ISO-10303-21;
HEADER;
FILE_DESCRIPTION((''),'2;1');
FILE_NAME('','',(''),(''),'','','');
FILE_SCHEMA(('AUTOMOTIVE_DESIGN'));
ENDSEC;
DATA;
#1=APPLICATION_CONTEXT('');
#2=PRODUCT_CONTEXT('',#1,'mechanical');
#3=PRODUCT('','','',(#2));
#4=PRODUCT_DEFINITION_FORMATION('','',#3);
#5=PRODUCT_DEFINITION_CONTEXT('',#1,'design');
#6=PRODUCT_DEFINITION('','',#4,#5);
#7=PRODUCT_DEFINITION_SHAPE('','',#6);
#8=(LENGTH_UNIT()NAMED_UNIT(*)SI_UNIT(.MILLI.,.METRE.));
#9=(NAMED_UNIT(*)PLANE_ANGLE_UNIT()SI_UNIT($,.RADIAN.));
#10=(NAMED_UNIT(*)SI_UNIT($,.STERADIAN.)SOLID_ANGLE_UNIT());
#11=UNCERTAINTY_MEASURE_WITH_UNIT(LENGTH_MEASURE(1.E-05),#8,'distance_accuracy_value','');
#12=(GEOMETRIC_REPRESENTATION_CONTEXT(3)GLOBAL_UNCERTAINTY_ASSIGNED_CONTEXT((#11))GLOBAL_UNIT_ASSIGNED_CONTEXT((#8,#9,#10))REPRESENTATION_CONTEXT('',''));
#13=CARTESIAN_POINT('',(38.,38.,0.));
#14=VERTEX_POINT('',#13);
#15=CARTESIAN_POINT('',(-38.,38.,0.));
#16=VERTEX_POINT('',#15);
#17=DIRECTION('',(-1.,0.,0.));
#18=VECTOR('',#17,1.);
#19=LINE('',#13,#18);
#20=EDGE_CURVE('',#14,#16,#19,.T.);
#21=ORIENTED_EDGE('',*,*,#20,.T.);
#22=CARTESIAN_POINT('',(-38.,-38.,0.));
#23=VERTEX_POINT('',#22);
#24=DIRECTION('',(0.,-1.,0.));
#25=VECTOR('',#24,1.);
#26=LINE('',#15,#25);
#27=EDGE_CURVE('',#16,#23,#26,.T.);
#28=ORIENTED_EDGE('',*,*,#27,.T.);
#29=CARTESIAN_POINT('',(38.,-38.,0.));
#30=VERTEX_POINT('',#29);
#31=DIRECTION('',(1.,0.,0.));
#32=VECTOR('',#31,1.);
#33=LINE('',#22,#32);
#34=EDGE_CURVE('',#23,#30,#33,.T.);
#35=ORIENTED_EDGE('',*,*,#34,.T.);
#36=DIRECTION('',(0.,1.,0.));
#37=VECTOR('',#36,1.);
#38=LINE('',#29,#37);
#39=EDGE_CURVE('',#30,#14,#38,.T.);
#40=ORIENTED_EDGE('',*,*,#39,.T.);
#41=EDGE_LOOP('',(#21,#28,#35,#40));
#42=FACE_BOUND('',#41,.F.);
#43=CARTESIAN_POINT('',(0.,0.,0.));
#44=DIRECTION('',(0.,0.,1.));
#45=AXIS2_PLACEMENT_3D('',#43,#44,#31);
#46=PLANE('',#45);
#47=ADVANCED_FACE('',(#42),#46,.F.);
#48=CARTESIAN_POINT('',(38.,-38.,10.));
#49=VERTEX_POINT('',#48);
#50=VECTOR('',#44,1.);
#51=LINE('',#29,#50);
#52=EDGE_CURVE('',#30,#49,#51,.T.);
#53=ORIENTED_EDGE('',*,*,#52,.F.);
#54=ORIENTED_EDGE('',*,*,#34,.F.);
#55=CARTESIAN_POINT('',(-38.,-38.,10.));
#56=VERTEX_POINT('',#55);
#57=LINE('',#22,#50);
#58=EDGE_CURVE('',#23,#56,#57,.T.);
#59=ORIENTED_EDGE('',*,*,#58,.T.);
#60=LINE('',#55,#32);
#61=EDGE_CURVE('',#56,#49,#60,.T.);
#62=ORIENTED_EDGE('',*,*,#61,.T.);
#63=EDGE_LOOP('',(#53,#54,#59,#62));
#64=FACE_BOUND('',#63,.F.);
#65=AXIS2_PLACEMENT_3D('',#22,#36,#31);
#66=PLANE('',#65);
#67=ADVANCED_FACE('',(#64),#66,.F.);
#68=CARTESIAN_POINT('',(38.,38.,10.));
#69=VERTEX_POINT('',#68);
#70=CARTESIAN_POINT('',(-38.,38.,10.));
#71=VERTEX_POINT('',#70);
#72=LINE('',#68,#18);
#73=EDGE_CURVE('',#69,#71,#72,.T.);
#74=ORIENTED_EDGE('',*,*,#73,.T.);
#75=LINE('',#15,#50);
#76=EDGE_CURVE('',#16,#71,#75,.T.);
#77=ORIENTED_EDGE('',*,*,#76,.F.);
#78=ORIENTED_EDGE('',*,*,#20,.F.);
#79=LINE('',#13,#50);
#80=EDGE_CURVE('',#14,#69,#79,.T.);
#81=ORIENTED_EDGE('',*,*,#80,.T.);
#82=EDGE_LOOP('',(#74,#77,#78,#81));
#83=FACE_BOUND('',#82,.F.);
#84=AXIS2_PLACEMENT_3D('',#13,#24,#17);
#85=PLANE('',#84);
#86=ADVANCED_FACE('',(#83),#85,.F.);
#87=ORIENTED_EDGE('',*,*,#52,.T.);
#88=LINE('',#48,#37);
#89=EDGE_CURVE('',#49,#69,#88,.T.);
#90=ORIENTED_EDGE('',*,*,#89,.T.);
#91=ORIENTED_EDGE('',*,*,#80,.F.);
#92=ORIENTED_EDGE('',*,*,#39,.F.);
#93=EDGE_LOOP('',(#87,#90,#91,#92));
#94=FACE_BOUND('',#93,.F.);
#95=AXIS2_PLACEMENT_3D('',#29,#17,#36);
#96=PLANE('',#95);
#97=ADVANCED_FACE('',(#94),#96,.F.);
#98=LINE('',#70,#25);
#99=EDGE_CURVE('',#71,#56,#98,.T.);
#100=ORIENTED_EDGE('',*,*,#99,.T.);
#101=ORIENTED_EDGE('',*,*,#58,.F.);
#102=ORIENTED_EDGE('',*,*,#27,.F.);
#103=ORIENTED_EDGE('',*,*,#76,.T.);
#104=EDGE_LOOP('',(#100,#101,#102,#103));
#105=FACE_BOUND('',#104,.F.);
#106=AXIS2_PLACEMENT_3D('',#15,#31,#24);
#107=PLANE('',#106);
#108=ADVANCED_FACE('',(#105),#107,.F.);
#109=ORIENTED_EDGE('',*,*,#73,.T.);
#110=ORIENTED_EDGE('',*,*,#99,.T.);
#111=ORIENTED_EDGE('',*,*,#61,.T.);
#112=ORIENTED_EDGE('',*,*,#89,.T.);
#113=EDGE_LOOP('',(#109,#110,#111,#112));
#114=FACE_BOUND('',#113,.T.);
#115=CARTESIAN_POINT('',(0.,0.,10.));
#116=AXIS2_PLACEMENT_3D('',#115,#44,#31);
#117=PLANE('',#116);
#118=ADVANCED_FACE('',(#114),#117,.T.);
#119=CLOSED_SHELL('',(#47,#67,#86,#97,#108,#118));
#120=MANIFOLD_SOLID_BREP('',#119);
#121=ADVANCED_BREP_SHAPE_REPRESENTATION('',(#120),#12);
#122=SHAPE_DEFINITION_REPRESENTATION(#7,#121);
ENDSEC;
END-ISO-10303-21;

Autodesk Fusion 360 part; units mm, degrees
sketch "Sketch1" plane through (0, 0, 0) normal (0, 0, 1) x (1, 0, 0)
  line L0 (38, 38) -> (-38, 38)
  line L1 (-38, 38) -> (-38, -38)
  line L2 (-38, -38) -> (38, -38)
  line L3 (38, -38) -> (38, 38)
  line L4 (38, 38) -> (-38, -38) construction
  line L5 (-38, 38) -> (38, -38) construction
  dimension "d1" = 76
  dimension "d2" = 76
extrude "Extrude1" add sketch "Sketch1" along normal blind 10
